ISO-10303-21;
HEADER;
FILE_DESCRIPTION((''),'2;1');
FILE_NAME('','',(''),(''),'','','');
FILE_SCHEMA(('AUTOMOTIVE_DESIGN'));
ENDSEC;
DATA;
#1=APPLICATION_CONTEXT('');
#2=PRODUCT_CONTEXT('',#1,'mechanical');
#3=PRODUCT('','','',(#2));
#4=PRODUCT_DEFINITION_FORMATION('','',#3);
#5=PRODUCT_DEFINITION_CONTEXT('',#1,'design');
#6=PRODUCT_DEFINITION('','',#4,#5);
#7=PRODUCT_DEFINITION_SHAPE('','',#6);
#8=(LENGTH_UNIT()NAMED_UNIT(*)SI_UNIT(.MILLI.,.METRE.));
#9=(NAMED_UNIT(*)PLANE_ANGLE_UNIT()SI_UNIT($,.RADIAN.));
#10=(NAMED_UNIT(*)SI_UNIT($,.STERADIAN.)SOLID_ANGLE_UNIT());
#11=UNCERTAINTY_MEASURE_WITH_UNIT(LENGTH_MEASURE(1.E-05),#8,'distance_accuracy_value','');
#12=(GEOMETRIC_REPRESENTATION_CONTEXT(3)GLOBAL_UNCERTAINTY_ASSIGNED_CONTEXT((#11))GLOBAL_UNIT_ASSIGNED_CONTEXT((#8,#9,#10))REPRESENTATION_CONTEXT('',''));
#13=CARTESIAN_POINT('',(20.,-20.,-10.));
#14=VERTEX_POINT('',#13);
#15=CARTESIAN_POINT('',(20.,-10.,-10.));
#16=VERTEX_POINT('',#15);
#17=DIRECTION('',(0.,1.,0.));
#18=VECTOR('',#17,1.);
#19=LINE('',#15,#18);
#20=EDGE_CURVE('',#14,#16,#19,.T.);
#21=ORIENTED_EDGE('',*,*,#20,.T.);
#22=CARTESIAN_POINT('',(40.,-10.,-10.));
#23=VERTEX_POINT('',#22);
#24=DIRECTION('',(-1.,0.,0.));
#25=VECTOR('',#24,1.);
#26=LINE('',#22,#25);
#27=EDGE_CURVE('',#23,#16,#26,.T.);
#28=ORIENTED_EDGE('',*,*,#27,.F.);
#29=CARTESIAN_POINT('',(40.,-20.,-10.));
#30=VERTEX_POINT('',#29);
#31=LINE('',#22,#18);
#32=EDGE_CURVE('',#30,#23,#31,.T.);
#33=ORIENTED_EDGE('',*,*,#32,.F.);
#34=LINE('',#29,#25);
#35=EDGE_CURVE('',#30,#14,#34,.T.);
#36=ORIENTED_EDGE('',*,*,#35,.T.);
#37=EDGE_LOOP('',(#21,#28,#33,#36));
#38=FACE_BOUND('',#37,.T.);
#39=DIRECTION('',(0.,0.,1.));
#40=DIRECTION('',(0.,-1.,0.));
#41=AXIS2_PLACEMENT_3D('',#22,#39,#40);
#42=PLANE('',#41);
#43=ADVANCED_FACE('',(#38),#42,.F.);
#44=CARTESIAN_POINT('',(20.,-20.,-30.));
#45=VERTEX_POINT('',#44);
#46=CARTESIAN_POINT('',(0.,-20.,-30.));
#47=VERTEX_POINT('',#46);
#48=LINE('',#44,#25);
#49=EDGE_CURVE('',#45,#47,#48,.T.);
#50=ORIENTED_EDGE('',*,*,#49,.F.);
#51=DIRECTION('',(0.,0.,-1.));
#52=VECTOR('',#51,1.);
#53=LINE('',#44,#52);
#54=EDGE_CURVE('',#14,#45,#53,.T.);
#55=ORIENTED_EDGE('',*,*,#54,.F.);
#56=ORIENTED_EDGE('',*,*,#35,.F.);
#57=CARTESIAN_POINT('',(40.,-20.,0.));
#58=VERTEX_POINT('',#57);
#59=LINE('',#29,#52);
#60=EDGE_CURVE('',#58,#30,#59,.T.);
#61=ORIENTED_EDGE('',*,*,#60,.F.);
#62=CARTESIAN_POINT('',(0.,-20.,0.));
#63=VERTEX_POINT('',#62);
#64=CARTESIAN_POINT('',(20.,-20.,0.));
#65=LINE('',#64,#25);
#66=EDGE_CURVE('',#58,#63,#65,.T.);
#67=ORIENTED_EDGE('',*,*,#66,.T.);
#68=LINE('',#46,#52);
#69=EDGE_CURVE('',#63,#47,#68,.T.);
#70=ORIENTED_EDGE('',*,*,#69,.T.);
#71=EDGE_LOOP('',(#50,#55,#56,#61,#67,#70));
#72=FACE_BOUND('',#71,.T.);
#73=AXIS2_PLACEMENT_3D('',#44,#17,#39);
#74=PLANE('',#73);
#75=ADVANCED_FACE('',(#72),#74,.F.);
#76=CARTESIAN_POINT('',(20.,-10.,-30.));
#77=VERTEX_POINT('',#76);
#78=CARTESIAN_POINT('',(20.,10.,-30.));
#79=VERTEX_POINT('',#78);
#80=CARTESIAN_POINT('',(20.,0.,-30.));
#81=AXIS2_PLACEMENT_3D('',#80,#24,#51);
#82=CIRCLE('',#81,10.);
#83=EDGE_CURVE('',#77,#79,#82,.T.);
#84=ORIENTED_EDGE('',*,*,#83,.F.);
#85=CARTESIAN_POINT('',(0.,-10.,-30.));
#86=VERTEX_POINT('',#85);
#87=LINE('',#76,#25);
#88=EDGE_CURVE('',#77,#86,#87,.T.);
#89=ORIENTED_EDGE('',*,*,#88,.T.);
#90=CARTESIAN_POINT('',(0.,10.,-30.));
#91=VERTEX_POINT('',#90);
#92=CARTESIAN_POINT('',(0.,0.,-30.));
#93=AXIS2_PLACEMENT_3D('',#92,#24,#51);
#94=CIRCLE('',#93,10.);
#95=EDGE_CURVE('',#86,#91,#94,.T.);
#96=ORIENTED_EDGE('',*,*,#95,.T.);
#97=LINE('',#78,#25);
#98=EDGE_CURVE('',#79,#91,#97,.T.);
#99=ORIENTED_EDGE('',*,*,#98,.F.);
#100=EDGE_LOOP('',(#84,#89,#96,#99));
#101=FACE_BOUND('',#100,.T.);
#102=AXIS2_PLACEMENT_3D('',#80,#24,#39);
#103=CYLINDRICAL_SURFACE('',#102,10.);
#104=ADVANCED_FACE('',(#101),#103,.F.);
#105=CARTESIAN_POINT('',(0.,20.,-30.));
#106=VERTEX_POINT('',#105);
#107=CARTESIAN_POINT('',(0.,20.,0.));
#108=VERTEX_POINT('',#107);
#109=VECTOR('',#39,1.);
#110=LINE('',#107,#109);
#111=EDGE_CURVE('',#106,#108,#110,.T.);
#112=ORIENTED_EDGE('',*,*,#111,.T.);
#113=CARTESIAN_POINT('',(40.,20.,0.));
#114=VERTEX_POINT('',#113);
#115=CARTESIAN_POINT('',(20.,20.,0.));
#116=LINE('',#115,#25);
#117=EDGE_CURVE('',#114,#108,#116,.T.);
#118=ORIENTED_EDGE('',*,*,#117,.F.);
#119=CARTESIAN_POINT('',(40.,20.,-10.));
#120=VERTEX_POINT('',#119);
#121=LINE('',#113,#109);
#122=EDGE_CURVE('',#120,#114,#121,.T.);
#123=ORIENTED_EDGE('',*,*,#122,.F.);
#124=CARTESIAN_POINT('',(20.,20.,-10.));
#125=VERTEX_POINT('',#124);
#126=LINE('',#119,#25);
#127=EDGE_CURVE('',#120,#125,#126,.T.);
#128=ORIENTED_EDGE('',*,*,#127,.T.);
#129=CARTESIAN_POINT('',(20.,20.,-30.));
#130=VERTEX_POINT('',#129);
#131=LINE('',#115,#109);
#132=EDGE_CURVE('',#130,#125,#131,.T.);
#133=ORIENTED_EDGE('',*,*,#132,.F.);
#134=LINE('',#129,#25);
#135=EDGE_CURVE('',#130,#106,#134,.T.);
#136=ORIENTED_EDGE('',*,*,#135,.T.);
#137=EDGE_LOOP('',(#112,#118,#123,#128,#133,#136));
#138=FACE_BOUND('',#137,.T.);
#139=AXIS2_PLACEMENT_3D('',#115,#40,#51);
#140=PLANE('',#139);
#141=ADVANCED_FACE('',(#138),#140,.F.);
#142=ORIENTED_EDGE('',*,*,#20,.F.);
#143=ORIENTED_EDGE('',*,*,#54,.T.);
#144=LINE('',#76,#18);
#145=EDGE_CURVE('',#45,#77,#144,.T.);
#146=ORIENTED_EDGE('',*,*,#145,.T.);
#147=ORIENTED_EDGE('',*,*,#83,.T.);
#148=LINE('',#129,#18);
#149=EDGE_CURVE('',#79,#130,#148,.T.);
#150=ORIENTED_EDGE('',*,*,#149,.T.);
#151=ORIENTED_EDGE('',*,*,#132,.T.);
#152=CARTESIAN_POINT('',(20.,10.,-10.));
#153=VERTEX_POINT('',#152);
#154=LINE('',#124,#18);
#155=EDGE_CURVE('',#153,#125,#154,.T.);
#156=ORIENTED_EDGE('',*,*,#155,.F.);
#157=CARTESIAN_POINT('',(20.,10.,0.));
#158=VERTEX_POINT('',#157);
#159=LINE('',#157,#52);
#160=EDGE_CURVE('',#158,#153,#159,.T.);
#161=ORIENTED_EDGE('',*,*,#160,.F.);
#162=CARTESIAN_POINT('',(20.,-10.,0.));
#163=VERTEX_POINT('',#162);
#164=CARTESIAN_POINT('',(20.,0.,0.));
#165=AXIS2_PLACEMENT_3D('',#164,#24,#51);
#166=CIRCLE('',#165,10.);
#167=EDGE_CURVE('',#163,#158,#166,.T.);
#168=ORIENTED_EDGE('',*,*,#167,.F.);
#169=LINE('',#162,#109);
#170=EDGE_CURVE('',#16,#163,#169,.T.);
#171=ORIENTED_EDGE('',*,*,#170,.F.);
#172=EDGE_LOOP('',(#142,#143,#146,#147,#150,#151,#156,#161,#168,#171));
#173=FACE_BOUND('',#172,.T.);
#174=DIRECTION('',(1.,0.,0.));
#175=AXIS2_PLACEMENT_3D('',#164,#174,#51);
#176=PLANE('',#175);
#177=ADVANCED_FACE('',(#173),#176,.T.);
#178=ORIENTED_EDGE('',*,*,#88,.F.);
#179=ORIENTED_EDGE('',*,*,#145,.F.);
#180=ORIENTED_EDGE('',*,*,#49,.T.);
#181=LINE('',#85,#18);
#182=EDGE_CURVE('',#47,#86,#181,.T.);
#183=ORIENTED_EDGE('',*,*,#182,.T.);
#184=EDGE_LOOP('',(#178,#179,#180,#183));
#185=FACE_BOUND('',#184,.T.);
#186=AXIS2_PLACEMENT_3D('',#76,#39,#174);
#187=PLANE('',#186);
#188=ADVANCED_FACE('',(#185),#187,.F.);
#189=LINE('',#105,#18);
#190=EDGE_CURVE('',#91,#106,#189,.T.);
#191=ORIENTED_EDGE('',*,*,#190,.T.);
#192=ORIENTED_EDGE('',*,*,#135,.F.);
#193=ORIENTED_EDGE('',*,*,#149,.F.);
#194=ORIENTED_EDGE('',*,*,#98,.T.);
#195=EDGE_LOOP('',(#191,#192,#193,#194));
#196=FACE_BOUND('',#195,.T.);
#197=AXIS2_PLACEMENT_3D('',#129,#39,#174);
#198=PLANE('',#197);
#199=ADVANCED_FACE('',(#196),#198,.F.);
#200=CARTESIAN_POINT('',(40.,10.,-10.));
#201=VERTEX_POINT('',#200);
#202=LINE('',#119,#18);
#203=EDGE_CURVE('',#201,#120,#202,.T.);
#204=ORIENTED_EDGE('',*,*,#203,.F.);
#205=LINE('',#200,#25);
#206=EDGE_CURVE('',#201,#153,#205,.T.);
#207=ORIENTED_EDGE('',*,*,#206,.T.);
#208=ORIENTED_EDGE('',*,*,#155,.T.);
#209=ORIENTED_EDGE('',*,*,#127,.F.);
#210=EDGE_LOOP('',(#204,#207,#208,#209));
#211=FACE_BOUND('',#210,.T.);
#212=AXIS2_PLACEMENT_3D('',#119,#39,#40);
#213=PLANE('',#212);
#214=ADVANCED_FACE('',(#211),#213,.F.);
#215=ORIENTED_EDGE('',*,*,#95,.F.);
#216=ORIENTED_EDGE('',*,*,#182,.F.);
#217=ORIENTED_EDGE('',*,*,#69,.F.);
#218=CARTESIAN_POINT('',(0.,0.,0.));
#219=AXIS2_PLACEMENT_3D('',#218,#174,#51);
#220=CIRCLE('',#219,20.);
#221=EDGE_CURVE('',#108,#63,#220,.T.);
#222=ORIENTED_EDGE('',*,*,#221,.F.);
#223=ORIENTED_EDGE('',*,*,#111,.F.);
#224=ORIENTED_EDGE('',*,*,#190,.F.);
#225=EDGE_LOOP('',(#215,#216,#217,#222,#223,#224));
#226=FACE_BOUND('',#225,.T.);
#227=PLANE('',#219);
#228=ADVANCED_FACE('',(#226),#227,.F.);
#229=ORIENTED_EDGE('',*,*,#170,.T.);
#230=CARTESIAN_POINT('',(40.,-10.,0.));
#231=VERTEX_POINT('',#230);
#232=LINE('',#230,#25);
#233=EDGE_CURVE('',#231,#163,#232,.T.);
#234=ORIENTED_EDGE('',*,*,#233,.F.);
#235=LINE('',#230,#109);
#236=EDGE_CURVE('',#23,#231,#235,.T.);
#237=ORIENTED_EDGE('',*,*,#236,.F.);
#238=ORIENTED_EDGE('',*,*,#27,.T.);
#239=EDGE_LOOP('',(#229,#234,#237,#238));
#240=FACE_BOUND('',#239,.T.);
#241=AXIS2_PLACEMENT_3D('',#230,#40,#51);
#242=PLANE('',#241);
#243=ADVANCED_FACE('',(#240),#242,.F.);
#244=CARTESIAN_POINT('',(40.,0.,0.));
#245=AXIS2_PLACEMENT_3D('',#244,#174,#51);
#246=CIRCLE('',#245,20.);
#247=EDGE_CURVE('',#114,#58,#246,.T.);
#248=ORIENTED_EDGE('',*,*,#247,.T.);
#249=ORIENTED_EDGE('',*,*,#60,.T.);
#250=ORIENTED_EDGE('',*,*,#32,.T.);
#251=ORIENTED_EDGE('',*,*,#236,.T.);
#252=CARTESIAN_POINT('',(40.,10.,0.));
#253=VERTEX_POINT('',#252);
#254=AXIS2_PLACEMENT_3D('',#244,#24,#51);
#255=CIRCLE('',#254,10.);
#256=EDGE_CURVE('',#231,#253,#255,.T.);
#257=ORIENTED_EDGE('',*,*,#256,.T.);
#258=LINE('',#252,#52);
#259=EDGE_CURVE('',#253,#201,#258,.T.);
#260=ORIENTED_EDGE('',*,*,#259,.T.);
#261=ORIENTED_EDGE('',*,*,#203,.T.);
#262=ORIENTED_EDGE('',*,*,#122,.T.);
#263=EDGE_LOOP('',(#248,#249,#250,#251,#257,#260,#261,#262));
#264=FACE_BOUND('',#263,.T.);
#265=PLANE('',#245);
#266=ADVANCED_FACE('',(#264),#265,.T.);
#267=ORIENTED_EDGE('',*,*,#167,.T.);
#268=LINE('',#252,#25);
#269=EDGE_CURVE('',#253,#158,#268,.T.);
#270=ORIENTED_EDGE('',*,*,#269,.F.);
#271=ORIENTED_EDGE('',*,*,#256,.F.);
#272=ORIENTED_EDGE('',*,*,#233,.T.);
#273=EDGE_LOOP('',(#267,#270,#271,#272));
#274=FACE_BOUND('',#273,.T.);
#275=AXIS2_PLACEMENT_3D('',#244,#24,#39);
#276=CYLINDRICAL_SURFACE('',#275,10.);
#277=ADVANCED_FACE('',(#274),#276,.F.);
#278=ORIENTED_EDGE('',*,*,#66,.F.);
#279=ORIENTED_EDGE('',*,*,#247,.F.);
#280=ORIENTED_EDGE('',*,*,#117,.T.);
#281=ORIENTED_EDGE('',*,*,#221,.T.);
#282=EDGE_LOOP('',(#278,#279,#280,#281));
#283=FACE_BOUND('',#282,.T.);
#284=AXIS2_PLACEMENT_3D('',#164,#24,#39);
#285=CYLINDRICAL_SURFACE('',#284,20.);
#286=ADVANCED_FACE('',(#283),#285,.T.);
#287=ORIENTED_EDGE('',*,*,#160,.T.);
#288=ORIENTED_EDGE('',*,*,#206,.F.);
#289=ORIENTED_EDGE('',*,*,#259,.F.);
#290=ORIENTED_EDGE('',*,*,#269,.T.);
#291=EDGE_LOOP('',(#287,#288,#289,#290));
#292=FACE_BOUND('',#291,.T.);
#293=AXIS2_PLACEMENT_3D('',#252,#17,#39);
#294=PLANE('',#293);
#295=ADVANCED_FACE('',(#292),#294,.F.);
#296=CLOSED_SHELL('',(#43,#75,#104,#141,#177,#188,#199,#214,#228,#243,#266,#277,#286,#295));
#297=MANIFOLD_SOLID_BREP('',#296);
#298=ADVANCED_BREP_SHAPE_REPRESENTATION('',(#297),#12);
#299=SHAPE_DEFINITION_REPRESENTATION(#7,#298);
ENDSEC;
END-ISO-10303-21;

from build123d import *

# Parameters (mm, degrees)
BOSS_EXTRUDE1_DEPTH = 20
BOSS_EXTRUDE2_DEPTH = 20


with BuildPart() as part:
    # Sketch1 → Boss-Extrude1 (new body)
    with BuildSketch(Plane(origin=(0, 0, 0), x_dir=(0, 0, -1), z_dir=(1, 0, 0))):
        with BuildLine():
            Line((0, 20), (30, 20))
            Line((30, 20), (30, 10))
            ThreePointArc((30, 10), (20, 0), (30, -10))
            Line((30, -10), (30, -20))
            Line((30, -20), (0, -20))
            ThreePointArc((0, -20), (-20, 0), (0, 20))
        make_face()
    extrude(amount=BOSS_EXTRUDE1_DEPTH)

    # Sketch2 → Boss-Extrude2 (add)
    with BuildSketch(Plane(origin=(20, 0, 0), x_dir=(0, 0, -1), z_dir=(1, 0, 0))):
        with BuildLine():
            Line((0, 20), (10, 20))
            Line((10, 20), (10, 10))
            Line((10, 10), (0, 10))
            ThreePointArc((0, 10), (-10, 0), (0, -10))
            Line((0, -10), (10, -10))
            Line((10, -10), (10, -20))
            Line((10, -20), (0, -20))
            ThreePointArc((0, -20), (-20, 0), (0, 20))
        make_face()
    extrude(amount=BOSS_EXTRUDE2_DEPTH)


solid = part.part
